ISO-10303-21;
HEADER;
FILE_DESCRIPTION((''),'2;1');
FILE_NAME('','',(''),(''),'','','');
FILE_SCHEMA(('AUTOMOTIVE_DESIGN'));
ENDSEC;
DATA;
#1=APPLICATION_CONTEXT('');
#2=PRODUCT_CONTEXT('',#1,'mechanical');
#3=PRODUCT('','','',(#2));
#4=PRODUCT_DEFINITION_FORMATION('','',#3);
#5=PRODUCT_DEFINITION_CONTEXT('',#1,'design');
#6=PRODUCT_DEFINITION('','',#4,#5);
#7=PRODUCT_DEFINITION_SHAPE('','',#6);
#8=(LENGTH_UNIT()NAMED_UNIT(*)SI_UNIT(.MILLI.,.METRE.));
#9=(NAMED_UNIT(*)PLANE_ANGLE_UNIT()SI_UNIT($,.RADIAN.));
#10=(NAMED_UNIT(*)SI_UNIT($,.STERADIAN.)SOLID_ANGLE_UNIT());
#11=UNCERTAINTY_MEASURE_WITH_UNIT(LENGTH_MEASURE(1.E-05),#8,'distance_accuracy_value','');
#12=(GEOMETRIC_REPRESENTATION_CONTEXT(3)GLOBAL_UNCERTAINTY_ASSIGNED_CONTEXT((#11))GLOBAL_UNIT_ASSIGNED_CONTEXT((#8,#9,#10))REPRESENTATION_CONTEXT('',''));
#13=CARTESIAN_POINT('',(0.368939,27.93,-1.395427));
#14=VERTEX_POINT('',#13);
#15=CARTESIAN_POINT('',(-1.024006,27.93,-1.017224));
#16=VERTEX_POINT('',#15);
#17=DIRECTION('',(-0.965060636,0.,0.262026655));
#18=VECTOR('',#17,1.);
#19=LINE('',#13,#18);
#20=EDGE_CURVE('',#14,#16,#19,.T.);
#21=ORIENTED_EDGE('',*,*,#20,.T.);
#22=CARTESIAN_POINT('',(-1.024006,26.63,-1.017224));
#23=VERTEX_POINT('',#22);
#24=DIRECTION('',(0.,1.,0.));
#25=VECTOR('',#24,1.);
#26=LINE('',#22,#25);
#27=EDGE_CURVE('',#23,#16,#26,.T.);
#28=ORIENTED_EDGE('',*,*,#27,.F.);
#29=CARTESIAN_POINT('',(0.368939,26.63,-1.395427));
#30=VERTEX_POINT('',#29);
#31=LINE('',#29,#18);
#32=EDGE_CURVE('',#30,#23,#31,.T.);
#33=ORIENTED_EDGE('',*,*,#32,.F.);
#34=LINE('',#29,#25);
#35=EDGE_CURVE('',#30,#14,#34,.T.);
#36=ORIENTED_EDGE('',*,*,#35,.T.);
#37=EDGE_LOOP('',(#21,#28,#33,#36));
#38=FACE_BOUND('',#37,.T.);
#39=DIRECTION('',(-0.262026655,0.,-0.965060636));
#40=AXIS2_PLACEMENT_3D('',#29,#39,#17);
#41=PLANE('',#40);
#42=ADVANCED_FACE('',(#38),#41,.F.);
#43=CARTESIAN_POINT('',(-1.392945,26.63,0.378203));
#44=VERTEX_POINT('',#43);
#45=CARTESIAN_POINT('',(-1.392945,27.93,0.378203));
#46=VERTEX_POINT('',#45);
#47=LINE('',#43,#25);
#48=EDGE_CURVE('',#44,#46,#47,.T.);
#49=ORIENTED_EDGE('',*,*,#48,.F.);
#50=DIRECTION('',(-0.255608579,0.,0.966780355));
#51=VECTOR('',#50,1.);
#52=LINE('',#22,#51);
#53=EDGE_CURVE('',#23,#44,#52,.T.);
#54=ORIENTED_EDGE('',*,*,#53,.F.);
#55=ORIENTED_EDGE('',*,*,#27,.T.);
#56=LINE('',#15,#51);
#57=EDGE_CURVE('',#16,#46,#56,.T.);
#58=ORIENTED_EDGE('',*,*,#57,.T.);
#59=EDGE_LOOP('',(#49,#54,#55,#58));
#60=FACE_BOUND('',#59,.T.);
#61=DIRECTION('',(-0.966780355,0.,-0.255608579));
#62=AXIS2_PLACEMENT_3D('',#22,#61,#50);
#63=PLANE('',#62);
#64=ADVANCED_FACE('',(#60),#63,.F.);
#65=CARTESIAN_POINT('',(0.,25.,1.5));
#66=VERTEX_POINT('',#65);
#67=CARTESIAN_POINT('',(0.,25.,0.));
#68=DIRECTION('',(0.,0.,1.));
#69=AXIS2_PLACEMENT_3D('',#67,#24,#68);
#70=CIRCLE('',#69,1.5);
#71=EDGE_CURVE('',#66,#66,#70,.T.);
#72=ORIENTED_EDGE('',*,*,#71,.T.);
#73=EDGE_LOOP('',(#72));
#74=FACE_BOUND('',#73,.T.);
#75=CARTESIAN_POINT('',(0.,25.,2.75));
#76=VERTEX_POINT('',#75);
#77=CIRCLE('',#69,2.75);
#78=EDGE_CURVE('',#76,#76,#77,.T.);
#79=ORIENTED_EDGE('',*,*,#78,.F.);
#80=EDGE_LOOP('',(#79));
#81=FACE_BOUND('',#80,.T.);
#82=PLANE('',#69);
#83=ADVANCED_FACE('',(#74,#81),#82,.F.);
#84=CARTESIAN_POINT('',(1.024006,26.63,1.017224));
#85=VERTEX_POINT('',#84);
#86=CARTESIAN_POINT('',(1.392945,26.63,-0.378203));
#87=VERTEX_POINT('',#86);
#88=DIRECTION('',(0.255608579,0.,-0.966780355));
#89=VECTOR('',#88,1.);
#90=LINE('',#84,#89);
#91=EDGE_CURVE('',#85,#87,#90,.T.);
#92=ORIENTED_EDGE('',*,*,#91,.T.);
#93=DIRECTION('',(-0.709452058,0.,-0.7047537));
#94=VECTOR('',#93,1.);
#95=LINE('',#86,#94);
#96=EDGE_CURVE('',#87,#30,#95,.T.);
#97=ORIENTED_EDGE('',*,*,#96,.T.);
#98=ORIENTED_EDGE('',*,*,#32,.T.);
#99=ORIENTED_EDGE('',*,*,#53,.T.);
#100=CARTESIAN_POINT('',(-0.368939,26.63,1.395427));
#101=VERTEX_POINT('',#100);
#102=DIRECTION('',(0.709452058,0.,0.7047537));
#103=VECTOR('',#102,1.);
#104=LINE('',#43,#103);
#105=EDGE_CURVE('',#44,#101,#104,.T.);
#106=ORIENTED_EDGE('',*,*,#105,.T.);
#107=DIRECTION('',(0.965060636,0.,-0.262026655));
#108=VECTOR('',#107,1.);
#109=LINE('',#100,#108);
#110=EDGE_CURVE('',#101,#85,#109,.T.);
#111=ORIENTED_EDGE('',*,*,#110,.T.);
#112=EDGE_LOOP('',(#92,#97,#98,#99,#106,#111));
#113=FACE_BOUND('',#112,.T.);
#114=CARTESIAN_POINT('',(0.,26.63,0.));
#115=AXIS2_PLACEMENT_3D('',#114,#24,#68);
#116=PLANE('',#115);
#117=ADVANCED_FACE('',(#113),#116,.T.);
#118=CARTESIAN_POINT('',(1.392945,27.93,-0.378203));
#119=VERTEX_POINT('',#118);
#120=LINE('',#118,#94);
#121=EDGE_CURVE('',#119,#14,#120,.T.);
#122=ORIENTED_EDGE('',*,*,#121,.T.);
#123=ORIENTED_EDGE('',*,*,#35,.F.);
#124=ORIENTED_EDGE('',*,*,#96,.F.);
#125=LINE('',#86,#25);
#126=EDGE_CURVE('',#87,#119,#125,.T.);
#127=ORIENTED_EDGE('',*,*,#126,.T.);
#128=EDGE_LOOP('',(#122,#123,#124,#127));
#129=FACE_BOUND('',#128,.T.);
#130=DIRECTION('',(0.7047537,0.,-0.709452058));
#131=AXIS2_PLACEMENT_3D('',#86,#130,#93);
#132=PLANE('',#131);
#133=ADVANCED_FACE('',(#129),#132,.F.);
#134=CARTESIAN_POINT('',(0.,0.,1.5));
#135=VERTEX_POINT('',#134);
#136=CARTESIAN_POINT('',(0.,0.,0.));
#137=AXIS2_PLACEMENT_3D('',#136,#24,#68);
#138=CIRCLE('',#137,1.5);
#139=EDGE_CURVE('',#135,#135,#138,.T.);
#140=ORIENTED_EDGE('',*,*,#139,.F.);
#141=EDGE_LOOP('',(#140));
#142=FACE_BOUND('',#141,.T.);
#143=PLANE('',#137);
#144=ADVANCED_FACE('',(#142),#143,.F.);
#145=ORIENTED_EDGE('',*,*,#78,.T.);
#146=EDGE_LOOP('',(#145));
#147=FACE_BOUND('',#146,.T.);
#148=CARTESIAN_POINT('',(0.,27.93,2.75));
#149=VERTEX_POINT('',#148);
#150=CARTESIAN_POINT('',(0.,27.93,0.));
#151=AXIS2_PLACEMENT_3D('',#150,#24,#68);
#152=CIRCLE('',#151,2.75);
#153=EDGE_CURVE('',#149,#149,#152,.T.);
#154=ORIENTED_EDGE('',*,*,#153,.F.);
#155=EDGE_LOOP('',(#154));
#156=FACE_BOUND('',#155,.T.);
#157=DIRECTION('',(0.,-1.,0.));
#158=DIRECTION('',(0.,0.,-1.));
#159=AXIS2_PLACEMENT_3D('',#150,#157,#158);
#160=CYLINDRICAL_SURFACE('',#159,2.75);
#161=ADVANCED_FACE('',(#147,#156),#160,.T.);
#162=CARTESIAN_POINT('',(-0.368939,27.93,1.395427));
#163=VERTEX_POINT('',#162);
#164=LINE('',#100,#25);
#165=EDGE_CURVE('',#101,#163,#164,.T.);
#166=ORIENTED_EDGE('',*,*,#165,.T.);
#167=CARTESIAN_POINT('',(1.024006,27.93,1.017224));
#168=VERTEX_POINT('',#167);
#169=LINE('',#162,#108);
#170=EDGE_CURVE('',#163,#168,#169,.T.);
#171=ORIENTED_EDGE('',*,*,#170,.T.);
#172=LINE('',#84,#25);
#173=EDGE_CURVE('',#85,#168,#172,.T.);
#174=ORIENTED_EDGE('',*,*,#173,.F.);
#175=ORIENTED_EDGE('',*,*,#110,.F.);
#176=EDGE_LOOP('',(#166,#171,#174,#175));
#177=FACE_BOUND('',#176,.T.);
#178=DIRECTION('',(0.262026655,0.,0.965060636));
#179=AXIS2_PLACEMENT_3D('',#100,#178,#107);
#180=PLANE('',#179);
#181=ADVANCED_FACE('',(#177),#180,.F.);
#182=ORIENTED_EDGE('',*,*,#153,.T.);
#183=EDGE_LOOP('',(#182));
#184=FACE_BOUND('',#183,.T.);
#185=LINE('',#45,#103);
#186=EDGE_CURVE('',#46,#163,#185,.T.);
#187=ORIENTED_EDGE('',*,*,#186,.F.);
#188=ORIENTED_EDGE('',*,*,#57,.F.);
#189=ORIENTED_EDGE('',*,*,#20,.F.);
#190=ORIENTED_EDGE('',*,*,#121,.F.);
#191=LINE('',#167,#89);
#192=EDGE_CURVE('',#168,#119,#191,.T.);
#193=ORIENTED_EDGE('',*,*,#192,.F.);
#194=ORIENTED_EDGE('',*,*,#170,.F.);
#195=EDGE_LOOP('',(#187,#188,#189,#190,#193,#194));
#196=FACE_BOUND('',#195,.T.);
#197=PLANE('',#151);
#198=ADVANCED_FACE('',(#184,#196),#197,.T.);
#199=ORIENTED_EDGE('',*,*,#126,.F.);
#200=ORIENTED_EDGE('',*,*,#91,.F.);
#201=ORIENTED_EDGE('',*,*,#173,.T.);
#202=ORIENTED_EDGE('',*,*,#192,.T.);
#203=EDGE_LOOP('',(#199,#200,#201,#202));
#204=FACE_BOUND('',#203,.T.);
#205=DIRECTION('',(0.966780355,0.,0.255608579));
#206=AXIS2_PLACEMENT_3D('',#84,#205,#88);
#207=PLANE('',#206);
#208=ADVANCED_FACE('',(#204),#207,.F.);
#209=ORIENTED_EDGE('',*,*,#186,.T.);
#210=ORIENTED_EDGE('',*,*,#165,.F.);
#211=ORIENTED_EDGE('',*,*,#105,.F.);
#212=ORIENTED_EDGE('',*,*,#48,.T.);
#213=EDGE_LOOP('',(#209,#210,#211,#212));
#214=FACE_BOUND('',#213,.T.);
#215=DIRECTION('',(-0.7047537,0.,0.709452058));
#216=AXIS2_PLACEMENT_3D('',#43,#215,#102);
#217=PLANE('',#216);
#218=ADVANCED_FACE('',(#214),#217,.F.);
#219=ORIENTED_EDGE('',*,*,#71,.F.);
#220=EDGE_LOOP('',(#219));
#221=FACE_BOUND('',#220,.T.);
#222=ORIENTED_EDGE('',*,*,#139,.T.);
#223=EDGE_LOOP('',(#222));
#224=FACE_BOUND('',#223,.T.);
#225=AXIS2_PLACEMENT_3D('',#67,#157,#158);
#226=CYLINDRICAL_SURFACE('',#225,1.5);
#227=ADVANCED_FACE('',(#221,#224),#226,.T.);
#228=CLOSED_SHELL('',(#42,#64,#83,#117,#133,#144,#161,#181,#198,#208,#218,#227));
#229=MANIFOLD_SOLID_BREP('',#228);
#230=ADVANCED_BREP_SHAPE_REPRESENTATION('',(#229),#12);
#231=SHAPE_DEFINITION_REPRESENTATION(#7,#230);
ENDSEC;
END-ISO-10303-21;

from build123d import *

# Parameters (mm, degrees)
SKETCH_1_R          = 1.5
EXTRUDE_1_DEPTH     = 25
SKETCH_2_R          = 2.75
EXTRUDE_2_DEPTH     = 2.93
CUT_EXTRUDE_1_DEPTH = 1.3


with BuildPart() as part:
    # 草图1 → 凸台-拉伸1 (new body)
    with BuildSketch(Plane(origin=(0, 0, 0), x_dir=(1, 0, 0), z_dir=(0, 1, 0))):
        Circle(SKETCH_1_R)
    extrude(amount=EXTRUDE_1_DEPTH)

    # 草图2 → 凸台-拉伸2 (add)
    with BuildSketch(Plane(origin=(0, 25, 0), x_dir=(1, 0, 0), z_dir=(0, 1, 0))):
        Circle(SKETCH_2_R)
    extrude(amount=EXTRUDE_2_DEPTH)

    # 草图3 → 切除-拉伸1 (cut)
    with BuildSketch(Plane(origin=(0, 27.93, 0), x_dir=(1, 0, 0), z_dir=(0, 1, 0))):
        Polygon((1.024005842, -1.017224346), (1.392945046, 0.378202899), (0.368939204, 1.395427245), (-1.024005842, 1.017224346), (-1.392945046, -0.378202899), (-0.368939204, -1.395427245), align=None)
    extrude(amount=-CUT_EXTRUDE_1_DEPTH, mode=Mode.SUBTRACT)


solid = part.part
